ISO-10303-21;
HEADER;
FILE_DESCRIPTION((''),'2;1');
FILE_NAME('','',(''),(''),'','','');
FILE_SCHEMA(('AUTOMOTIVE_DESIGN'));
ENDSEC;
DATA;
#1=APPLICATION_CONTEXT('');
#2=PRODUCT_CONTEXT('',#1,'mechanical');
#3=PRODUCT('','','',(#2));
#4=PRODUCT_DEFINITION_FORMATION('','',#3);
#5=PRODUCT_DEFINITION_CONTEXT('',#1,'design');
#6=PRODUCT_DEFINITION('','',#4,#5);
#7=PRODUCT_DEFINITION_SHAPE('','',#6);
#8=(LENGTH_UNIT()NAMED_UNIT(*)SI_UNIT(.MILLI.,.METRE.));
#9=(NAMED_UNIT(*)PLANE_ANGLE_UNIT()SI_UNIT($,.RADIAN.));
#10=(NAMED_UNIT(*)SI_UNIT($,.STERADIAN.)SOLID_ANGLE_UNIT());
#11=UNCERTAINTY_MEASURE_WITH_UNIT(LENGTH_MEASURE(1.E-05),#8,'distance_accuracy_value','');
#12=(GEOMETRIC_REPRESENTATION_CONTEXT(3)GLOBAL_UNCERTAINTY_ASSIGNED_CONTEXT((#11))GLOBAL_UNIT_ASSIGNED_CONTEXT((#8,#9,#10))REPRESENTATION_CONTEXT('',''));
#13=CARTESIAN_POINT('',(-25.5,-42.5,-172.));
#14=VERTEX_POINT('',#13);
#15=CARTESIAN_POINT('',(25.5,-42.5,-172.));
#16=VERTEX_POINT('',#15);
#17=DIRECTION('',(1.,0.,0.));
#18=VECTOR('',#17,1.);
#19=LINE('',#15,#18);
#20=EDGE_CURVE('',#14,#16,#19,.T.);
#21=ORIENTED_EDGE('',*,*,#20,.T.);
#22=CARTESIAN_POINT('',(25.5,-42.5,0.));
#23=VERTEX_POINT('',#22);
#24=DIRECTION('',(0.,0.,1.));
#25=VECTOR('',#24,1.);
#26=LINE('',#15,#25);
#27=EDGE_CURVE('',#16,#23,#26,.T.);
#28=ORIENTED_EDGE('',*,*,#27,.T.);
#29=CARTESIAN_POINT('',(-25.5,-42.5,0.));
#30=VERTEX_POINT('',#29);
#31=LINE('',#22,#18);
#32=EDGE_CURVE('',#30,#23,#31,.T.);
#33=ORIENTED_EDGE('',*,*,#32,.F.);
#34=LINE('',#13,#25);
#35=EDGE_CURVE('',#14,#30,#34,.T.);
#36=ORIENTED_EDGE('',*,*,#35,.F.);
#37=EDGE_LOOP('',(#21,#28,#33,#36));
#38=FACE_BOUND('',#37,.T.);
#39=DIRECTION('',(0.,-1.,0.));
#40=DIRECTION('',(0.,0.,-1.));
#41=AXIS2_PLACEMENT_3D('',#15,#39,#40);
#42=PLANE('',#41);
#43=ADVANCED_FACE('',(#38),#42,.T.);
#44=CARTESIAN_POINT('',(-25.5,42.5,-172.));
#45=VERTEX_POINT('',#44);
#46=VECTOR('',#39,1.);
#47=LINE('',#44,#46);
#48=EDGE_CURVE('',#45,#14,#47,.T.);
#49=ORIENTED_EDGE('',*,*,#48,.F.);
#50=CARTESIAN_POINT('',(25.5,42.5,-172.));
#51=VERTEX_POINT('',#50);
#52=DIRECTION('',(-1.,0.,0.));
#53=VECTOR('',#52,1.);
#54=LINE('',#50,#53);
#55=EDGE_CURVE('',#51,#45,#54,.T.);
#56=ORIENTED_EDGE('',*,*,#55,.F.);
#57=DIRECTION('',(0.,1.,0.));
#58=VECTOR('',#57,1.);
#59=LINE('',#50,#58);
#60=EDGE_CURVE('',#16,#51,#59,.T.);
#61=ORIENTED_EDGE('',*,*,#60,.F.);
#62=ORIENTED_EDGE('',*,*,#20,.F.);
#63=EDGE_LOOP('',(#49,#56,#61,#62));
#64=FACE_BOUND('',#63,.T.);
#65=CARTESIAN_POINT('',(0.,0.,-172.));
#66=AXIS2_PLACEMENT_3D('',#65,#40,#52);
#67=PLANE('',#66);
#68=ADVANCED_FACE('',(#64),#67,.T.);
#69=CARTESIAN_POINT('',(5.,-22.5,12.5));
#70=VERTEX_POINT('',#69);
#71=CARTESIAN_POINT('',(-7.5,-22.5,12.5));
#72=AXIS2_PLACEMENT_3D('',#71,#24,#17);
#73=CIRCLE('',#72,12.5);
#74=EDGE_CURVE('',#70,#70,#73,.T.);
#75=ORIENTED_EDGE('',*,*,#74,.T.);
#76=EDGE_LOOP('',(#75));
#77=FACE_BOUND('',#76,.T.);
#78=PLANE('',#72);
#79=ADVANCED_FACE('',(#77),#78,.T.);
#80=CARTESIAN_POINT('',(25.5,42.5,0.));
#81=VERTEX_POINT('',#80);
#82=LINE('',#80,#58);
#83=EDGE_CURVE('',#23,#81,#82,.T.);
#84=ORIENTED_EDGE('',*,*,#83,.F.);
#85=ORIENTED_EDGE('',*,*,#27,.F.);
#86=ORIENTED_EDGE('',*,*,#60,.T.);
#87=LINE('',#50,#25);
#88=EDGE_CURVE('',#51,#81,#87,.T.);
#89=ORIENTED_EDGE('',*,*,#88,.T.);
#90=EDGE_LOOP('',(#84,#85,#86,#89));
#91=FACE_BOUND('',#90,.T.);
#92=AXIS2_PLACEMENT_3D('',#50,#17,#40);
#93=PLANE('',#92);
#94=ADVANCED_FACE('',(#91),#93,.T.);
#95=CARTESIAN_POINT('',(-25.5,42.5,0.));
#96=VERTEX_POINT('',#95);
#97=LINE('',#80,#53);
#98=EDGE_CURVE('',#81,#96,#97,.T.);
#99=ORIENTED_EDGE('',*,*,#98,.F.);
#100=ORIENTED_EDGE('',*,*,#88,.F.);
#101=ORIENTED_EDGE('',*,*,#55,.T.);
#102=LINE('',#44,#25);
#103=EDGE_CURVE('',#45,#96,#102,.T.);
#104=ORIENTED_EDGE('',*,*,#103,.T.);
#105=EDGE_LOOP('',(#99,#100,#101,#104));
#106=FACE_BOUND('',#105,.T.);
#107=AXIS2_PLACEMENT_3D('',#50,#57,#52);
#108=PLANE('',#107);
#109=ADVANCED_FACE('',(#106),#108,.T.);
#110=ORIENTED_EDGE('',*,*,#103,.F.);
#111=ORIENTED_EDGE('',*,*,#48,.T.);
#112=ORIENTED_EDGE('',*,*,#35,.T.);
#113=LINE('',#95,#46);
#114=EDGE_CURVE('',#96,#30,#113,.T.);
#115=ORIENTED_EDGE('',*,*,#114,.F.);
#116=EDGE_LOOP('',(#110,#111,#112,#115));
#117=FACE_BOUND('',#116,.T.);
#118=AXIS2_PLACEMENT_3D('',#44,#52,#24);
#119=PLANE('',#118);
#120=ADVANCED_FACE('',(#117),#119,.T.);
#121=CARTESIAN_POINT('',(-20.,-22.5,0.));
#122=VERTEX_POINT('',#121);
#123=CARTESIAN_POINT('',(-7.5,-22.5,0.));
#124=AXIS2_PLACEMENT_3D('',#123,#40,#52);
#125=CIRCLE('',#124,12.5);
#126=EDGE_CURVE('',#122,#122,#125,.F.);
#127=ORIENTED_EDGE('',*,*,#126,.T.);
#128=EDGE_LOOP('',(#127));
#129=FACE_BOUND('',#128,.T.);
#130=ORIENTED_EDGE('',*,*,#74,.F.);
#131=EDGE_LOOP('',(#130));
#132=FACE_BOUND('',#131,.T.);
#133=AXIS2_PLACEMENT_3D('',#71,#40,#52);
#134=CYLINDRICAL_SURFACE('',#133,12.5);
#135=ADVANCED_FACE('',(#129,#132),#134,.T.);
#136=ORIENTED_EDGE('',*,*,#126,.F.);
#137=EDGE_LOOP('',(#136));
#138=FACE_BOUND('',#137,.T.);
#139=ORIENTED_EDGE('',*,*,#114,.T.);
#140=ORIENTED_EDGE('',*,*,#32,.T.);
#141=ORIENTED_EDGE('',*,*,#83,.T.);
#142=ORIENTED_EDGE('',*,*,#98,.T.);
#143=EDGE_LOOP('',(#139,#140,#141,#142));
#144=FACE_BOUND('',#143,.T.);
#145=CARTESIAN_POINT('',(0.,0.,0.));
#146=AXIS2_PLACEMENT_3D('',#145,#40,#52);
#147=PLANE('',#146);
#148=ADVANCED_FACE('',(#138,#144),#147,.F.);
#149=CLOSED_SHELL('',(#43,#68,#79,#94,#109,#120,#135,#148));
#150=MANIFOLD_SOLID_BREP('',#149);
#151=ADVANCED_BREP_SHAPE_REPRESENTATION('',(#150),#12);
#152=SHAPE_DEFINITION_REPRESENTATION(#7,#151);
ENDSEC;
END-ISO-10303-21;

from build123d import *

# Parameters (mm, degrees)
SKETCH1_W           = 51
SKETCH1_H           = 85
BOSS_EXTRUDE1_DEPTH = 172
SKETCH3_R           = 12.5
BOSS_EXTRUDE2_DEPTH = 12.5


with BuildPart() as part:
    # Sketch1 → Boss-Extrude1 (new body)
    with BuildSketch(Plane.XY):
        Rectangle(SKETCH1_W, SKETCH1_H)
    extrude(amount=-BOSS_EXTRUDE1_DEPTH)

    # Sketch3 → Boss-Extrude2 (add)
    with BuildSketch(Plane.XY):
        with Locations(Location((-7.5, -22.5, 0), (0, 0, 180))):
            Circle(SKETCH3_R)
    extrude(amount=BOSS_EXTRUDE2_DEPTH)


solid = part.part
